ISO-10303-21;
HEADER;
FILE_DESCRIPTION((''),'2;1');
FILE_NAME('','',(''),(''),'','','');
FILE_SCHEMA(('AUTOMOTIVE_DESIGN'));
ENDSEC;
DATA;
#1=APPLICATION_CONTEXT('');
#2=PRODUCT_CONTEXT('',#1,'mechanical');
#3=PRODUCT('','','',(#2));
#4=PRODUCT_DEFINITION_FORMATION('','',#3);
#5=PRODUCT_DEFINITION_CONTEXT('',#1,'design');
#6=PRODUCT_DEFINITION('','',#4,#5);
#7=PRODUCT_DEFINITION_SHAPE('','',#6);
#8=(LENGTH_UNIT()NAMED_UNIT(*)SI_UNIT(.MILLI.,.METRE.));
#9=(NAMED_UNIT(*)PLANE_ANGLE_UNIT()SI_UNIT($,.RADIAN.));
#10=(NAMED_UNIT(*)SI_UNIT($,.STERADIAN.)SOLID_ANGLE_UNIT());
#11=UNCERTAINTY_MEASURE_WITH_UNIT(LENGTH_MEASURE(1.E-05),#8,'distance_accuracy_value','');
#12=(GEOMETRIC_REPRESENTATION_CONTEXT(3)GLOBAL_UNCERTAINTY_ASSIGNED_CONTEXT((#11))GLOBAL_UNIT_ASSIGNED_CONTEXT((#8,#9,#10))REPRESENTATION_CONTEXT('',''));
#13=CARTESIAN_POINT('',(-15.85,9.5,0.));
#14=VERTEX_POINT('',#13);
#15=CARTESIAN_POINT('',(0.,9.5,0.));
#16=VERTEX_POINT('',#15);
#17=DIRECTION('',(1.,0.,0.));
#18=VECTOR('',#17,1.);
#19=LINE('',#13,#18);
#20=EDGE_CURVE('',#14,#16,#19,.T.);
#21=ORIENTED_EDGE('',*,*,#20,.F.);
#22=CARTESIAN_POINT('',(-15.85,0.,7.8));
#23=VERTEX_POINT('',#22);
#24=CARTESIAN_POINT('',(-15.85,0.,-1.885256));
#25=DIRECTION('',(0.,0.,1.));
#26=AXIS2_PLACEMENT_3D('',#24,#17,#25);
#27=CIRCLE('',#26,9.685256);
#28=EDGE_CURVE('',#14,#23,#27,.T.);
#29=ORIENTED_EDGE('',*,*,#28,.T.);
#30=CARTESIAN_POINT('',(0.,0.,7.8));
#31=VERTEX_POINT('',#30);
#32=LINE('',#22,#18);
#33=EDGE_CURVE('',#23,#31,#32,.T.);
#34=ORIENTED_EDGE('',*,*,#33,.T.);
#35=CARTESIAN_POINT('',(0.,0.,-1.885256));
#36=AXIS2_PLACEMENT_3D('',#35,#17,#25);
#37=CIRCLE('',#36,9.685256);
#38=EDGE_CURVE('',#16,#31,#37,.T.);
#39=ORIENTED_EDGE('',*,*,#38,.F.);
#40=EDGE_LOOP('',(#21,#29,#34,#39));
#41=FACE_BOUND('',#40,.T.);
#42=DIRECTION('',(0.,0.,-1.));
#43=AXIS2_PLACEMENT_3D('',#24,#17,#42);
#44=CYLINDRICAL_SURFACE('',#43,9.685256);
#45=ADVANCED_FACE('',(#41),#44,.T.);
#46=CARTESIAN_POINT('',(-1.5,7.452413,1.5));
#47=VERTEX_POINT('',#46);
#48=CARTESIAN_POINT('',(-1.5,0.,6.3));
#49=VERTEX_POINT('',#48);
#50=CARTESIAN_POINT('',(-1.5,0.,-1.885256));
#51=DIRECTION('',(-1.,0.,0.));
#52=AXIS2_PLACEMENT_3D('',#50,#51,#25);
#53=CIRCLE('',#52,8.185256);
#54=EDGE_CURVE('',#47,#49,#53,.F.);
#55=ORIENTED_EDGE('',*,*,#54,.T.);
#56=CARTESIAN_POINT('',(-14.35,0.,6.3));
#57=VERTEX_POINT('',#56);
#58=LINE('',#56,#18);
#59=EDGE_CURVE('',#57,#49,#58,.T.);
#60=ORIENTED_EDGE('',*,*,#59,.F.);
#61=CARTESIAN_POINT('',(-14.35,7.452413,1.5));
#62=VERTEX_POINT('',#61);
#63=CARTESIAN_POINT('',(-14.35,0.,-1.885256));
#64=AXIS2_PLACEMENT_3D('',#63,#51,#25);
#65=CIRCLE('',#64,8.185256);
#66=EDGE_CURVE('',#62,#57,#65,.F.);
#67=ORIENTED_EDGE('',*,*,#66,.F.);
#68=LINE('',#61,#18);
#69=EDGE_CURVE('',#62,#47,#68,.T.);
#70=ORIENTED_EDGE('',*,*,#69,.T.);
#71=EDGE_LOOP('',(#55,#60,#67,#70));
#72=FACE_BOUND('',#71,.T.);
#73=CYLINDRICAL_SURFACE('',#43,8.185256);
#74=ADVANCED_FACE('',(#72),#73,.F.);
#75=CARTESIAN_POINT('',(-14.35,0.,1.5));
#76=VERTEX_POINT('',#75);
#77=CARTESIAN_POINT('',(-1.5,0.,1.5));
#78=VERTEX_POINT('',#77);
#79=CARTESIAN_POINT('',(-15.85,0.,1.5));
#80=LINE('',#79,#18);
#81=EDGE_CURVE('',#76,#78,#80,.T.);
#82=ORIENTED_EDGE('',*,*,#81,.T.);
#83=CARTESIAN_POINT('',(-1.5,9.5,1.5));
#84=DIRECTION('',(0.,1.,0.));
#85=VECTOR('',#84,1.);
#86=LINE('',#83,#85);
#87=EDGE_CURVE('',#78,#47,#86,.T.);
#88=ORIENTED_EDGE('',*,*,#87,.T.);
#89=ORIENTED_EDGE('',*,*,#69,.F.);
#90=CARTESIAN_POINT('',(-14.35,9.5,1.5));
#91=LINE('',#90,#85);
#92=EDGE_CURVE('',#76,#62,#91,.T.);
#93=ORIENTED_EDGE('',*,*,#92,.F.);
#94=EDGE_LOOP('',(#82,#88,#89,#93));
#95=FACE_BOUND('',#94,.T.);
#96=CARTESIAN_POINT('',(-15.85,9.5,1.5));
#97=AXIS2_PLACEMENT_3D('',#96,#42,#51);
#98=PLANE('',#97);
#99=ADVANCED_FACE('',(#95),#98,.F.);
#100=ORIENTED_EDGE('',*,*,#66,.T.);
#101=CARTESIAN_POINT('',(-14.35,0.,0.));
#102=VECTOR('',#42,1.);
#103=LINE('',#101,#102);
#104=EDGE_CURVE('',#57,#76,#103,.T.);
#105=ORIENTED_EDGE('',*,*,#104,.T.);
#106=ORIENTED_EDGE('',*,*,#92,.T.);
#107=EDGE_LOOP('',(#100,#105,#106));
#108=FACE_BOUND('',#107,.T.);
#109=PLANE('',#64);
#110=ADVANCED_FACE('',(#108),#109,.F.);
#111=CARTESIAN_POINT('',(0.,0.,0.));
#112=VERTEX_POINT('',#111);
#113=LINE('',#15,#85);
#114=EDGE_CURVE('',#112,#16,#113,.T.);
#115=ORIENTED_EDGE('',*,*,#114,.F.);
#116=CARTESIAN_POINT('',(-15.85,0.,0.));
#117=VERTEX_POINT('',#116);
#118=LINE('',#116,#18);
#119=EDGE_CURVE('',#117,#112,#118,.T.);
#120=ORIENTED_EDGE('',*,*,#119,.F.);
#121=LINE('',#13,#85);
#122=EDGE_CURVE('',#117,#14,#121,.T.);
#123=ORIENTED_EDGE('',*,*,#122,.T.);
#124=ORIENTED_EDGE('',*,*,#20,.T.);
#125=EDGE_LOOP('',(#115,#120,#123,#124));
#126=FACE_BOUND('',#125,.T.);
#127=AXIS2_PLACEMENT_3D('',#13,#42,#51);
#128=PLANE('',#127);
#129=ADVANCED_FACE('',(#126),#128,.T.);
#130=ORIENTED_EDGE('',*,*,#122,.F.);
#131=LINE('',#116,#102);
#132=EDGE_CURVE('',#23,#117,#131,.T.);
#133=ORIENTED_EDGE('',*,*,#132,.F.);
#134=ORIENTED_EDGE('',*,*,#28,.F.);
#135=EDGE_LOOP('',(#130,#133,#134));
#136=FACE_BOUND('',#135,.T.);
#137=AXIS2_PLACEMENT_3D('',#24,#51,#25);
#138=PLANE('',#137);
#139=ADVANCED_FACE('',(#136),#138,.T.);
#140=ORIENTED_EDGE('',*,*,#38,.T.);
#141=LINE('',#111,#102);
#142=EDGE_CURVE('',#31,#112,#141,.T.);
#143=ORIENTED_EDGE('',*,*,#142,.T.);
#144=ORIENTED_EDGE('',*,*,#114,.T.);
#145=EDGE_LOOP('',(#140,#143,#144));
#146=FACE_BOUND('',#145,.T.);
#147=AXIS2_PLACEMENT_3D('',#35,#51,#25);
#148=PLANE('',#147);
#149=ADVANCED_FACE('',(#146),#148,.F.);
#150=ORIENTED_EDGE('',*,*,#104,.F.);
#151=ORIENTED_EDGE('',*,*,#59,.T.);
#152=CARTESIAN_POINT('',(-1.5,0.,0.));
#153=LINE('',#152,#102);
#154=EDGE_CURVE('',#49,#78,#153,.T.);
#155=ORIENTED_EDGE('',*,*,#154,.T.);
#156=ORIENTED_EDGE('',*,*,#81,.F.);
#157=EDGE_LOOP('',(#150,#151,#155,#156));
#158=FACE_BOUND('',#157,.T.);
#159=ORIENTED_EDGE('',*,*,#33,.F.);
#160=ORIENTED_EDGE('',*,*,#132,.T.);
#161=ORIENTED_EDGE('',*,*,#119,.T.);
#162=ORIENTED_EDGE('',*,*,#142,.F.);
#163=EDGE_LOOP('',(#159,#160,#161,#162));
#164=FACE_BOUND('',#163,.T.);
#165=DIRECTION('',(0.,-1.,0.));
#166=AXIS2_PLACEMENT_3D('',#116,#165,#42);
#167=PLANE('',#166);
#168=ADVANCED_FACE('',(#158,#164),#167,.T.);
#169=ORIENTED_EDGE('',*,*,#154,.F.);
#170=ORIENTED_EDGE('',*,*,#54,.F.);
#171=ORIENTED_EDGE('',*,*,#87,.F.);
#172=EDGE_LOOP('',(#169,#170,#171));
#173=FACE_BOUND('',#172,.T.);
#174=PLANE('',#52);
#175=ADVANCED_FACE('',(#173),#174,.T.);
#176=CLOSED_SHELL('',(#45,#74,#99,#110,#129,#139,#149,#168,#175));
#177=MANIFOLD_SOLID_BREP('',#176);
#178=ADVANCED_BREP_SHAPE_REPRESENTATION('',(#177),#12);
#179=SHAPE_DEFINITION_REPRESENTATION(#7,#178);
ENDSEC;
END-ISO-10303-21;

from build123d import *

# Parameters (mm, degrees)
BOSS_EXTRUDE1_DEPTH = 15.85
SHELL1_T            = -1.5


with BuildPart() as part:
    # Sketch1 → Boss-Extrude1 (new body)
    with BuildSketch(Plane(origin=(0, 0, 0), x_dir=(0, 0, -1), z_dir=(1, 0, 0))):
        with BuildLine():
            Line((0, 9.5), (0, 0))
            Line((0, 0), (-7.8, 0))
            ThreePointArc((-7.8, 0), (-5.600175557, 6.145933615), (0, 9.5))
        make_face()
    extrude(amount=-BOSS_EXTRUDE1_DEPTH)

    # Shell1
    shell1_openings = [part.faces().sort_by_distance(p)[0] for p in [
        (-7.925, 0, 3.9),
    ]]
    offset(amount=SHELL1_T, openings=shell1_openings, kind=Kind.INTERSECTION)


solid = part.part
